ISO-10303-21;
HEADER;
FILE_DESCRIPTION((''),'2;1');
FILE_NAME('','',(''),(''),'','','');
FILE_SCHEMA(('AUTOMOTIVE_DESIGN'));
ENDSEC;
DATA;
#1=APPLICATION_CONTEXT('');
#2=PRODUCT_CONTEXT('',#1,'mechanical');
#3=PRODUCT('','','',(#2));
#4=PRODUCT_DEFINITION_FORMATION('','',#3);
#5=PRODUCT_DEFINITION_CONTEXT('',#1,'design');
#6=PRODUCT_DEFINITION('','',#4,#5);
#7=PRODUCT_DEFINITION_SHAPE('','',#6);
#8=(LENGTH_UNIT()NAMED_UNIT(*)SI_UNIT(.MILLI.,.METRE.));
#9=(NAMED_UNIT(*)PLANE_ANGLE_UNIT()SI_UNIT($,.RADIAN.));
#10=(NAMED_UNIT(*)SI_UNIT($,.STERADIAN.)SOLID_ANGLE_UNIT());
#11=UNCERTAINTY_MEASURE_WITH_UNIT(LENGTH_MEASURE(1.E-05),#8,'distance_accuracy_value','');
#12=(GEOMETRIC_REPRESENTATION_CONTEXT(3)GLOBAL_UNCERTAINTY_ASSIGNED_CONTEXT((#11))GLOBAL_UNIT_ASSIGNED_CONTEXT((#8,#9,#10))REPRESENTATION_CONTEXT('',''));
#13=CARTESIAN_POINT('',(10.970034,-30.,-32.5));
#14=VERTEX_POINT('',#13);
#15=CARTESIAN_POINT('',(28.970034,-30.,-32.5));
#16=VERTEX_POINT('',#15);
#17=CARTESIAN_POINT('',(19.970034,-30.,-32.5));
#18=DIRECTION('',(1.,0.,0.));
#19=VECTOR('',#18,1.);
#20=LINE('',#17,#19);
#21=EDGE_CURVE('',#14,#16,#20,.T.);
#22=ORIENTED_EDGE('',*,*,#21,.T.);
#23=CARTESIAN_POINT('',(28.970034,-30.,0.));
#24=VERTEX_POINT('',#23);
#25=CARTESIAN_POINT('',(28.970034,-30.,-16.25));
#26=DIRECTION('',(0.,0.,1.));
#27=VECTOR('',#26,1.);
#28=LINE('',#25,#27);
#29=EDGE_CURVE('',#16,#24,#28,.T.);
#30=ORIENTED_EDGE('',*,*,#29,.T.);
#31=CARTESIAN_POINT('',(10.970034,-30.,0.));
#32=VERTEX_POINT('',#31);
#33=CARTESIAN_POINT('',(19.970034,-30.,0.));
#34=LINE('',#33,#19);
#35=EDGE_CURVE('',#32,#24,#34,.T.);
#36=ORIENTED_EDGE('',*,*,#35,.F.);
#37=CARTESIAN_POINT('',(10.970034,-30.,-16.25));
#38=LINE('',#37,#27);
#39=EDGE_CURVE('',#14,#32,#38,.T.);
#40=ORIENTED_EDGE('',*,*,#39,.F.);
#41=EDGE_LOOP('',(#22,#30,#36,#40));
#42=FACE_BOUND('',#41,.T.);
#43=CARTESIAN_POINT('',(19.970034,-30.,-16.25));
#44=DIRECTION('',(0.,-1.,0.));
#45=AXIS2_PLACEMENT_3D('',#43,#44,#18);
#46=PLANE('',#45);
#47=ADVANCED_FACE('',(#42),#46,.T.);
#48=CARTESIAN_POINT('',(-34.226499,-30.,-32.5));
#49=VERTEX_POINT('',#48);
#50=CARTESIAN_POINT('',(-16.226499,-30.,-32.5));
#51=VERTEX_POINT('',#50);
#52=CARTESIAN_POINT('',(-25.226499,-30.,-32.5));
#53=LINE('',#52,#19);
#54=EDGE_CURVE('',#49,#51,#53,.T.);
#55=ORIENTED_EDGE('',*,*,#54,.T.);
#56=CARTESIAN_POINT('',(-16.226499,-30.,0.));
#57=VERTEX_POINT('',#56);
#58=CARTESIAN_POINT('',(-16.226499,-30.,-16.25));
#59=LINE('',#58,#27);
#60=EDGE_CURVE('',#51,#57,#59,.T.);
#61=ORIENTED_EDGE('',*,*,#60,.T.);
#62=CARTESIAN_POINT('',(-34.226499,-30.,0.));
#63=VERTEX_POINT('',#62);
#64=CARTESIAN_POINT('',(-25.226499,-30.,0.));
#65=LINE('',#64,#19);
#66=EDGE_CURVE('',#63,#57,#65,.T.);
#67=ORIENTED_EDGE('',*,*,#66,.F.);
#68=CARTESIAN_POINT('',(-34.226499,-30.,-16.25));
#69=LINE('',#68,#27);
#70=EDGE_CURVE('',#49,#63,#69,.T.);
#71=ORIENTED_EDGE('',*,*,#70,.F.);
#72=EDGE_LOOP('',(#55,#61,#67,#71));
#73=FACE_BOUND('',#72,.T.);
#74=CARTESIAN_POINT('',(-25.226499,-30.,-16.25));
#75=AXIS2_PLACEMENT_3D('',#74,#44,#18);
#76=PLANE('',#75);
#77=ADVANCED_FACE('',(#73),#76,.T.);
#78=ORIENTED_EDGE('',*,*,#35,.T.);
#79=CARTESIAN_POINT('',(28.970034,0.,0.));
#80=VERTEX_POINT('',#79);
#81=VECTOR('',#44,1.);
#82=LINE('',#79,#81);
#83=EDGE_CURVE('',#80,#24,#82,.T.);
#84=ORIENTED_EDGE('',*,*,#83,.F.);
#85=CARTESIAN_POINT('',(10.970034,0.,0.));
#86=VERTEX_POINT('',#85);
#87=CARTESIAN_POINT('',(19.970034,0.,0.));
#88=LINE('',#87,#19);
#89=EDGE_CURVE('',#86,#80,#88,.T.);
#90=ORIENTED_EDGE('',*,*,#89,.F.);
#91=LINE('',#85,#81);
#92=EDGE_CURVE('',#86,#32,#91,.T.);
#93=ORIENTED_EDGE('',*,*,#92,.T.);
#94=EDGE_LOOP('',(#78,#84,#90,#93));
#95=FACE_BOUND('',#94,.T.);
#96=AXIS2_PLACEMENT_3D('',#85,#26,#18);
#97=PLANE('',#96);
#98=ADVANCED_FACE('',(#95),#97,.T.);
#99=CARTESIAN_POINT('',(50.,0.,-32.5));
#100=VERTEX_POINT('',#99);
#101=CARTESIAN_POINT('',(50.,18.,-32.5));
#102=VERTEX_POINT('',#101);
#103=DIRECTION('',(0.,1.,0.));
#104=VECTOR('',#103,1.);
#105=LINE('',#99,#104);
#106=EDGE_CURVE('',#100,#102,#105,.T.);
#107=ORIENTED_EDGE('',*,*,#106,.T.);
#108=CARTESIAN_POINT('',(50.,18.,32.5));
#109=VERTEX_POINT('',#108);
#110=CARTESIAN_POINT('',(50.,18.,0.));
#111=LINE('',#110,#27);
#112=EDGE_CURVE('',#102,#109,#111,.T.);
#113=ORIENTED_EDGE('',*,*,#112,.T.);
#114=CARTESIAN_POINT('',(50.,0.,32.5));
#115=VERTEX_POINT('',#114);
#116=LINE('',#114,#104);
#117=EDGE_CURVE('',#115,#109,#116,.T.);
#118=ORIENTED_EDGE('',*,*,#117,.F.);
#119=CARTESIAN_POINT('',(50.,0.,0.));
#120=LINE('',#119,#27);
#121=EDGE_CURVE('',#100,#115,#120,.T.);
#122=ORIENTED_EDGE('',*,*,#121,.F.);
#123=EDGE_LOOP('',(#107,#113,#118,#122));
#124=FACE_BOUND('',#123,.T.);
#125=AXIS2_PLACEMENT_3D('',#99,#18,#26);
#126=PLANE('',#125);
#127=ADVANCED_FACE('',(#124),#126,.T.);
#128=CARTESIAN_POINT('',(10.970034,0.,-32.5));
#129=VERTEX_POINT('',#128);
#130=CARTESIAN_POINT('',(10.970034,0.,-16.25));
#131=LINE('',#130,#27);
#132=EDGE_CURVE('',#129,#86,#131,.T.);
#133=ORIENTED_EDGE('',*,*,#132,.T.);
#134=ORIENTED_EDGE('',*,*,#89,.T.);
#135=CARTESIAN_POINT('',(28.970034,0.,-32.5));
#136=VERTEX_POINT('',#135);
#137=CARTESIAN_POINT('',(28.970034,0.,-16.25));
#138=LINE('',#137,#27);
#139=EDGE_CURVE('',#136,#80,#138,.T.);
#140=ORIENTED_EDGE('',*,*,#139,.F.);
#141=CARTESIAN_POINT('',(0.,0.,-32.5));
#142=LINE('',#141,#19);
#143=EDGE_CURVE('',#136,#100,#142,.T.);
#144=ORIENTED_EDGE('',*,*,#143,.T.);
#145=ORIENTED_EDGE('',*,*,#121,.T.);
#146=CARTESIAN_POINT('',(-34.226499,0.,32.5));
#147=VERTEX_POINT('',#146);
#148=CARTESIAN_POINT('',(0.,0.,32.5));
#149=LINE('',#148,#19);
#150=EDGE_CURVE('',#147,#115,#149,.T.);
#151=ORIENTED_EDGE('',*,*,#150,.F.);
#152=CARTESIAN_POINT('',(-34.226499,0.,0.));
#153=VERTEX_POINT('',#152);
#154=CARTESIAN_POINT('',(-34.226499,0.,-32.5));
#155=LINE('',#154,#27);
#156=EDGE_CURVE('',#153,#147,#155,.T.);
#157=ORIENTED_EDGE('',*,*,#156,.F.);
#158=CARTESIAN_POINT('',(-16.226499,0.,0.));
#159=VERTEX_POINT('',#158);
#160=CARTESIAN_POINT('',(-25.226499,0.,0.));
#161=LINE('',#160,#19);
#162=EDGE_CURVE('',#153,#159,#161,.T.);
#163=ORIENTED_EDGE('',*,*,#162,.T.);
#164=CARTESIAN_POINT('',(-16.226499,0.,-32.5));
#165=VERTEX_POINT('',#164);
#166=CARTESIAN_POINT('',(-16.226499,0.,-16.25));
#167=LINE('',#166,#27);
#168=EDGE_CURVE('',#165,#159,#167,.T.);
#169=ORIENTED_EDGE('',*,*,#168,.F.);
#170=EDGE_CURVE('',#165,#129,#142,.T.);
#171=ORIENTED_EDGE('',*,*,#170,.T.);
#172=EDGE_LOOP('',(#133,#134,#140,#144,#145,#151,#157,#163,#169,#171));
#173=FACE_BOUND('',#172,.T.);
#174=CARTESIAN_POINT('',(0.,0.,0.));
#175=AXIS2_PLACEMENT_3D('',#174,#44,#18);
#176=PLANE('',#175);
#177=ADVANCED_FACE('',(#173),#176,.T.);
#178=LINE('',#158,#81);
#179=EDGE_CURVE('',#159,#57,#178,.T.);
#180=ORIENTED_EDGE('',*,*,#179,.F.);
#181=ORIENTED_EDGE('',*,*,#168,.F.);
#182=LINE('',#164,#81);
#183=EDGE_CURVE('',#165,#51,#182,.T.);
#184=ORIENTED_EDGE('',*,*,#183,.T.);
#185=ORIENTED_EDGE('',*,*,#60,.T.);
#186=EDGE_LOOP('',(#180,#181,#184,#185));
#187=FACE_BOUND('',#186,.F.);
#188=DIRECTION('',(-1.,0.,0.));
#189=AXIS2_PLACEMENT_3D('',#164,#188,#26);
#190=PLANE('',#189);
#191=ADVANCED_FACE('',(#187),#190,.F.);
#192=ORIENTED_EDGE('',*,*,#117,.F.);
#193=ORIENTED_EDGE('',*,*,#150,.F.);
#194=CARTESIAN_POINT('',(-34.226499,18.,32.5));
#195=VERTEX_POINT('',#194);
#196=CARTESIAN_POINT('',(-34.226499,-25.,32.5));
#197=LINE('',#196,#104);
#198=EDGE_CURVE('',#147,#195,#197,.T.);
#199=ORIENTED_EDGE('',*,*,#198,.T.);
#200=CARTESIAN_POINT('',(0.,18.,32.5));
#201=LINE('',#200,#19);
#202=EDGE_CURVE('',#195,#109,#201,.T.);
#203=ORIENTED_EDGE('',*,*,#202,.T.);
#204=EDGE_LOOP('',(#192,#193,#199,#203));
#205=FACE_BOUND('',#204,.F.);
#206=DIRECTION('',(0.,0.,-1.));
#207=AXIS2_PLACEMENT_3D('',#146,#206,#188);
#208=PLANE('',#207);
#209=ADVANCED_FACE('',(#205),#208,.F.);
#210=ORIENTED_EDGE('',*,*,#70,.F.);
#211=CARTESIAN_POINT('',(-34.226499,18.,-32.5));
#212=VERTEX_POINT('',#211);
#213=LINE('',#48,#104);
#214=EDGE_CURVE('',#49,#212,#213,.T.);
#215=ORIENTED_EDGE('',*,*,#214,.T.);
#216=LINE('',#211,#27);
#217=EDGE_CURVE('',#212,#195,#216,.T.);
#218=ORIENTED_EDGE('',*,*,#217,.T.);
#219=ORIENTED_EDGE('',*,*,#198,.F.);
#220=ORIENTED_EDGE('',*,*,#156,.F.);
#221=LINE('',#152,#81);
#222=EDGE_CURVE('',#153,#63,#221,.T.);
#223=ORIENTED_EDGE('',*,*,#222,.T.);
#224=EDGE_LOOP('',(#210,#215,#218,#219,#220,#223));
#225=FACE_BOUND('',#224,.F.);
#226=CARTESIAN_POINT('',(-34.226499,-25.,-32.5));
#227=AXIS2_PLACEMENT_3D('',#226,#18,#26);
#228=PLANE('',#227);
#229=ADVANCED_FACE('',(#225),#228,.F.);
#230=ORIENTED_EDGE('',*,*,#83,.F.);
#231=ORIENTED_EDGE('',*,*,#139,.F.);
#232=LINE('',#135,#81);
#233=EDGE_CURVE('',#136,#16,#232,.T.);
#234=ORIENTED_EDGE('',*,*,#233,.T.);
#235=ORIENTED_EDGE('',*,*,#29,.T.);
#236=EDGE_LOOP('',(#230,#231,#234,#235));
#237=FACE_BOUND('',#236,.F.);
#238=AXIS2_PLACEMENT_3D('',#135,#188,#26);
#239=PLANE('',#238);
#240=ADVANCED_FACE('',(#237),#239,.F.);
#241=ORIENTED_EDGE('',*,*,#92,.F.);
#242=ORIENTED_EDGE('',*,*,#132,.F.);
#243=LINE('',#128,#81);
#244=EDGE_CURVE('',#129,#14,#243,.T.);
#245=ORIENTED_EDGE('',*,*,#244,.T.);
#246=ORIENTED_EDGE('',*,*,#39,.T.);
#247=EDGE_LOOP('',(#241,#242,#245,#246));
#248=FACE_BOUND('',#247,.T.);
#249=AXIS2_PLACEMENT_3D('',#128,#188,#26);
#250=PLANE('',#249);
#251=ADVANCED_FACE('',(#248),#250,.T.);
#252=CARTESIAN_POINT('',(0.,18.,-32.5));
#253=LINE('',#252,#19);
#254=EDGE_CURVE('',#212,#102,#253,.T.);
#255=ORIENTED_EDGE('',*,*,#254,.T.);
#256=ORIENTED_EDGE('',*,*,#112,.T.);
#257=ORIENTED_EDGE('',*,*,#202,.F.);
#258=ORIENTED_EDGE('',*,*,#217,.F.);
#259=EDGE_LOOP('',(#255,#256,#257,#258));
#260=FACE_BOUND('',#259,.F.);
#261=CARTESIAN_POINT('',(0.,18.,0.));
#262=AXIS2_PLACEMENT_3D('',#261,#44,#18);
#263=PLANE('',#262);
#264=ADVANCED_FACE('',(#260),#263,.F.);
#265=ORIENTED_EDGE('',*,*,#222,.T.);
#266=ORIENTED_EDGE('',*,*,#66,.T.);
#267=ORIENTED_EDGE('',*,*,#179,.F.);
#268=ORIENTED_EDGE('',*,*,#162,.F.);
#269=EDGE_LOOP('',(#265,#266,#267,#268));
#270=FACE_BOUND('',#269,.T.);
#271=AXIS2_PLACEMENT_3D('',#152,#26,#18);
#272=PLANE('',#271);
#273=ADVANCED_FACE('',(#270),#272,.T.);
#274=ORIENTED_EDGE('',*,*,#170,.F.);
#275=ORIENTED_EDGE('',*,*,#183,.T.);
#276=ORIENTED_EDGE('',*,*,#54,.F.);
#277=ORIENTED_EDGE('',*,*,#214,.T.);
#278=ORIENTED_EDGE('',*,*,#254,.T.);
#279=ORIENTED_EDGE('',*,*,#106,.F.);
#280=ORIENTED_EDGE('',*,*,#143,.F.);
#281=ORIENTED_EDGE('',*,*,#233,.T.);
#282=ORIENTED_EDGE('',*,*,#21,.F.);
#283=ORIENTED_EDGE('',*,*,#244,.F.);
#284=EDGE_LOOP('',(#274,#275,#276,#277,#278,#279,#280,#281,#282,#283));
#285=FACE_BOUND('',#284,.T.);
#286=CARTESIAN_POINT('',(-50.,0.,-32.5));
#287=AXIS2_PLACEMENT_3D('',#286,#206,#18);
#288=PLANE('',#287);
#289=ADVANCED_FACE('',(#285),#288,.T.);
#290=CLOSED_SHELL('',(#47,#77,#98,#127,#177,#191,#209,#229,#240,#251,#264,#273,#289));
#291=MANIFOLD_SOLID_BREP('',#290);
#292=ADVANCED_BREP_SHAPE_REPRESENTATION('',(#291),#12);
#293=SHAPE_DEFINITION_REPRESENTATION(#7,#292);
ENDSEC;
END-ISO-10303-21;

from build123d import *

# Parameters (mm, degrees)
F0_W     = 100
F0_H     = 65
F1_DEPTH = 18
F2_W     = 18
F2_H     = 32.5
F3_DEPTH = 30
F4_DEPTH = 30
F6_DEPTH = 25
F7_DEPTH = 43


with BuildPart() as f1:
    # F0 (on Front) → F1 (new body)
    with BuildSketch(Plane.XZ):
        Rectangle(F0_W, F0_H)
    extrude(amount=-F1_DEPTH)

    # F2 (on face) → F3 (join)
    with BuildSketch(Plane.XZ):
        with Locations((-25.2264994979, -16.25)):
            Rectangle(F2_W, F2_H)
    extrude(amount=F3_DEPTH)

    # F2 (on face) → F4 (join)
    with BuildSketch(Plane.XZ):
        with Locations((19.9700337052, -16.25)):
            Rectangle(F2_W, F2_H)
    extrude(amount=F4_DEPTH)

    # F5 (on face) → F6 (join)
    with BuildSketch(Plane.XZ):
        Polygon((-34.2264994979, -32.5), (-34.2264994979, -32.4203260243), (-34.2264994979, 0), (-34.2264994979, 32.5), (-50, 32.5), (-50, -32.5), align=None)
    extrude(amount=F6_DEPTH)

    # F7 (cut): a face of the model
    f7_faces = [f1.faces().sort_by_distance(p)[0] for p in [
        (-42.1132497489, -25, 0),
    ]]
    extrude(f7_faces, amount=-F7_DEPTH, mode=Mode.SUBTRACT)


solid = f1.part
